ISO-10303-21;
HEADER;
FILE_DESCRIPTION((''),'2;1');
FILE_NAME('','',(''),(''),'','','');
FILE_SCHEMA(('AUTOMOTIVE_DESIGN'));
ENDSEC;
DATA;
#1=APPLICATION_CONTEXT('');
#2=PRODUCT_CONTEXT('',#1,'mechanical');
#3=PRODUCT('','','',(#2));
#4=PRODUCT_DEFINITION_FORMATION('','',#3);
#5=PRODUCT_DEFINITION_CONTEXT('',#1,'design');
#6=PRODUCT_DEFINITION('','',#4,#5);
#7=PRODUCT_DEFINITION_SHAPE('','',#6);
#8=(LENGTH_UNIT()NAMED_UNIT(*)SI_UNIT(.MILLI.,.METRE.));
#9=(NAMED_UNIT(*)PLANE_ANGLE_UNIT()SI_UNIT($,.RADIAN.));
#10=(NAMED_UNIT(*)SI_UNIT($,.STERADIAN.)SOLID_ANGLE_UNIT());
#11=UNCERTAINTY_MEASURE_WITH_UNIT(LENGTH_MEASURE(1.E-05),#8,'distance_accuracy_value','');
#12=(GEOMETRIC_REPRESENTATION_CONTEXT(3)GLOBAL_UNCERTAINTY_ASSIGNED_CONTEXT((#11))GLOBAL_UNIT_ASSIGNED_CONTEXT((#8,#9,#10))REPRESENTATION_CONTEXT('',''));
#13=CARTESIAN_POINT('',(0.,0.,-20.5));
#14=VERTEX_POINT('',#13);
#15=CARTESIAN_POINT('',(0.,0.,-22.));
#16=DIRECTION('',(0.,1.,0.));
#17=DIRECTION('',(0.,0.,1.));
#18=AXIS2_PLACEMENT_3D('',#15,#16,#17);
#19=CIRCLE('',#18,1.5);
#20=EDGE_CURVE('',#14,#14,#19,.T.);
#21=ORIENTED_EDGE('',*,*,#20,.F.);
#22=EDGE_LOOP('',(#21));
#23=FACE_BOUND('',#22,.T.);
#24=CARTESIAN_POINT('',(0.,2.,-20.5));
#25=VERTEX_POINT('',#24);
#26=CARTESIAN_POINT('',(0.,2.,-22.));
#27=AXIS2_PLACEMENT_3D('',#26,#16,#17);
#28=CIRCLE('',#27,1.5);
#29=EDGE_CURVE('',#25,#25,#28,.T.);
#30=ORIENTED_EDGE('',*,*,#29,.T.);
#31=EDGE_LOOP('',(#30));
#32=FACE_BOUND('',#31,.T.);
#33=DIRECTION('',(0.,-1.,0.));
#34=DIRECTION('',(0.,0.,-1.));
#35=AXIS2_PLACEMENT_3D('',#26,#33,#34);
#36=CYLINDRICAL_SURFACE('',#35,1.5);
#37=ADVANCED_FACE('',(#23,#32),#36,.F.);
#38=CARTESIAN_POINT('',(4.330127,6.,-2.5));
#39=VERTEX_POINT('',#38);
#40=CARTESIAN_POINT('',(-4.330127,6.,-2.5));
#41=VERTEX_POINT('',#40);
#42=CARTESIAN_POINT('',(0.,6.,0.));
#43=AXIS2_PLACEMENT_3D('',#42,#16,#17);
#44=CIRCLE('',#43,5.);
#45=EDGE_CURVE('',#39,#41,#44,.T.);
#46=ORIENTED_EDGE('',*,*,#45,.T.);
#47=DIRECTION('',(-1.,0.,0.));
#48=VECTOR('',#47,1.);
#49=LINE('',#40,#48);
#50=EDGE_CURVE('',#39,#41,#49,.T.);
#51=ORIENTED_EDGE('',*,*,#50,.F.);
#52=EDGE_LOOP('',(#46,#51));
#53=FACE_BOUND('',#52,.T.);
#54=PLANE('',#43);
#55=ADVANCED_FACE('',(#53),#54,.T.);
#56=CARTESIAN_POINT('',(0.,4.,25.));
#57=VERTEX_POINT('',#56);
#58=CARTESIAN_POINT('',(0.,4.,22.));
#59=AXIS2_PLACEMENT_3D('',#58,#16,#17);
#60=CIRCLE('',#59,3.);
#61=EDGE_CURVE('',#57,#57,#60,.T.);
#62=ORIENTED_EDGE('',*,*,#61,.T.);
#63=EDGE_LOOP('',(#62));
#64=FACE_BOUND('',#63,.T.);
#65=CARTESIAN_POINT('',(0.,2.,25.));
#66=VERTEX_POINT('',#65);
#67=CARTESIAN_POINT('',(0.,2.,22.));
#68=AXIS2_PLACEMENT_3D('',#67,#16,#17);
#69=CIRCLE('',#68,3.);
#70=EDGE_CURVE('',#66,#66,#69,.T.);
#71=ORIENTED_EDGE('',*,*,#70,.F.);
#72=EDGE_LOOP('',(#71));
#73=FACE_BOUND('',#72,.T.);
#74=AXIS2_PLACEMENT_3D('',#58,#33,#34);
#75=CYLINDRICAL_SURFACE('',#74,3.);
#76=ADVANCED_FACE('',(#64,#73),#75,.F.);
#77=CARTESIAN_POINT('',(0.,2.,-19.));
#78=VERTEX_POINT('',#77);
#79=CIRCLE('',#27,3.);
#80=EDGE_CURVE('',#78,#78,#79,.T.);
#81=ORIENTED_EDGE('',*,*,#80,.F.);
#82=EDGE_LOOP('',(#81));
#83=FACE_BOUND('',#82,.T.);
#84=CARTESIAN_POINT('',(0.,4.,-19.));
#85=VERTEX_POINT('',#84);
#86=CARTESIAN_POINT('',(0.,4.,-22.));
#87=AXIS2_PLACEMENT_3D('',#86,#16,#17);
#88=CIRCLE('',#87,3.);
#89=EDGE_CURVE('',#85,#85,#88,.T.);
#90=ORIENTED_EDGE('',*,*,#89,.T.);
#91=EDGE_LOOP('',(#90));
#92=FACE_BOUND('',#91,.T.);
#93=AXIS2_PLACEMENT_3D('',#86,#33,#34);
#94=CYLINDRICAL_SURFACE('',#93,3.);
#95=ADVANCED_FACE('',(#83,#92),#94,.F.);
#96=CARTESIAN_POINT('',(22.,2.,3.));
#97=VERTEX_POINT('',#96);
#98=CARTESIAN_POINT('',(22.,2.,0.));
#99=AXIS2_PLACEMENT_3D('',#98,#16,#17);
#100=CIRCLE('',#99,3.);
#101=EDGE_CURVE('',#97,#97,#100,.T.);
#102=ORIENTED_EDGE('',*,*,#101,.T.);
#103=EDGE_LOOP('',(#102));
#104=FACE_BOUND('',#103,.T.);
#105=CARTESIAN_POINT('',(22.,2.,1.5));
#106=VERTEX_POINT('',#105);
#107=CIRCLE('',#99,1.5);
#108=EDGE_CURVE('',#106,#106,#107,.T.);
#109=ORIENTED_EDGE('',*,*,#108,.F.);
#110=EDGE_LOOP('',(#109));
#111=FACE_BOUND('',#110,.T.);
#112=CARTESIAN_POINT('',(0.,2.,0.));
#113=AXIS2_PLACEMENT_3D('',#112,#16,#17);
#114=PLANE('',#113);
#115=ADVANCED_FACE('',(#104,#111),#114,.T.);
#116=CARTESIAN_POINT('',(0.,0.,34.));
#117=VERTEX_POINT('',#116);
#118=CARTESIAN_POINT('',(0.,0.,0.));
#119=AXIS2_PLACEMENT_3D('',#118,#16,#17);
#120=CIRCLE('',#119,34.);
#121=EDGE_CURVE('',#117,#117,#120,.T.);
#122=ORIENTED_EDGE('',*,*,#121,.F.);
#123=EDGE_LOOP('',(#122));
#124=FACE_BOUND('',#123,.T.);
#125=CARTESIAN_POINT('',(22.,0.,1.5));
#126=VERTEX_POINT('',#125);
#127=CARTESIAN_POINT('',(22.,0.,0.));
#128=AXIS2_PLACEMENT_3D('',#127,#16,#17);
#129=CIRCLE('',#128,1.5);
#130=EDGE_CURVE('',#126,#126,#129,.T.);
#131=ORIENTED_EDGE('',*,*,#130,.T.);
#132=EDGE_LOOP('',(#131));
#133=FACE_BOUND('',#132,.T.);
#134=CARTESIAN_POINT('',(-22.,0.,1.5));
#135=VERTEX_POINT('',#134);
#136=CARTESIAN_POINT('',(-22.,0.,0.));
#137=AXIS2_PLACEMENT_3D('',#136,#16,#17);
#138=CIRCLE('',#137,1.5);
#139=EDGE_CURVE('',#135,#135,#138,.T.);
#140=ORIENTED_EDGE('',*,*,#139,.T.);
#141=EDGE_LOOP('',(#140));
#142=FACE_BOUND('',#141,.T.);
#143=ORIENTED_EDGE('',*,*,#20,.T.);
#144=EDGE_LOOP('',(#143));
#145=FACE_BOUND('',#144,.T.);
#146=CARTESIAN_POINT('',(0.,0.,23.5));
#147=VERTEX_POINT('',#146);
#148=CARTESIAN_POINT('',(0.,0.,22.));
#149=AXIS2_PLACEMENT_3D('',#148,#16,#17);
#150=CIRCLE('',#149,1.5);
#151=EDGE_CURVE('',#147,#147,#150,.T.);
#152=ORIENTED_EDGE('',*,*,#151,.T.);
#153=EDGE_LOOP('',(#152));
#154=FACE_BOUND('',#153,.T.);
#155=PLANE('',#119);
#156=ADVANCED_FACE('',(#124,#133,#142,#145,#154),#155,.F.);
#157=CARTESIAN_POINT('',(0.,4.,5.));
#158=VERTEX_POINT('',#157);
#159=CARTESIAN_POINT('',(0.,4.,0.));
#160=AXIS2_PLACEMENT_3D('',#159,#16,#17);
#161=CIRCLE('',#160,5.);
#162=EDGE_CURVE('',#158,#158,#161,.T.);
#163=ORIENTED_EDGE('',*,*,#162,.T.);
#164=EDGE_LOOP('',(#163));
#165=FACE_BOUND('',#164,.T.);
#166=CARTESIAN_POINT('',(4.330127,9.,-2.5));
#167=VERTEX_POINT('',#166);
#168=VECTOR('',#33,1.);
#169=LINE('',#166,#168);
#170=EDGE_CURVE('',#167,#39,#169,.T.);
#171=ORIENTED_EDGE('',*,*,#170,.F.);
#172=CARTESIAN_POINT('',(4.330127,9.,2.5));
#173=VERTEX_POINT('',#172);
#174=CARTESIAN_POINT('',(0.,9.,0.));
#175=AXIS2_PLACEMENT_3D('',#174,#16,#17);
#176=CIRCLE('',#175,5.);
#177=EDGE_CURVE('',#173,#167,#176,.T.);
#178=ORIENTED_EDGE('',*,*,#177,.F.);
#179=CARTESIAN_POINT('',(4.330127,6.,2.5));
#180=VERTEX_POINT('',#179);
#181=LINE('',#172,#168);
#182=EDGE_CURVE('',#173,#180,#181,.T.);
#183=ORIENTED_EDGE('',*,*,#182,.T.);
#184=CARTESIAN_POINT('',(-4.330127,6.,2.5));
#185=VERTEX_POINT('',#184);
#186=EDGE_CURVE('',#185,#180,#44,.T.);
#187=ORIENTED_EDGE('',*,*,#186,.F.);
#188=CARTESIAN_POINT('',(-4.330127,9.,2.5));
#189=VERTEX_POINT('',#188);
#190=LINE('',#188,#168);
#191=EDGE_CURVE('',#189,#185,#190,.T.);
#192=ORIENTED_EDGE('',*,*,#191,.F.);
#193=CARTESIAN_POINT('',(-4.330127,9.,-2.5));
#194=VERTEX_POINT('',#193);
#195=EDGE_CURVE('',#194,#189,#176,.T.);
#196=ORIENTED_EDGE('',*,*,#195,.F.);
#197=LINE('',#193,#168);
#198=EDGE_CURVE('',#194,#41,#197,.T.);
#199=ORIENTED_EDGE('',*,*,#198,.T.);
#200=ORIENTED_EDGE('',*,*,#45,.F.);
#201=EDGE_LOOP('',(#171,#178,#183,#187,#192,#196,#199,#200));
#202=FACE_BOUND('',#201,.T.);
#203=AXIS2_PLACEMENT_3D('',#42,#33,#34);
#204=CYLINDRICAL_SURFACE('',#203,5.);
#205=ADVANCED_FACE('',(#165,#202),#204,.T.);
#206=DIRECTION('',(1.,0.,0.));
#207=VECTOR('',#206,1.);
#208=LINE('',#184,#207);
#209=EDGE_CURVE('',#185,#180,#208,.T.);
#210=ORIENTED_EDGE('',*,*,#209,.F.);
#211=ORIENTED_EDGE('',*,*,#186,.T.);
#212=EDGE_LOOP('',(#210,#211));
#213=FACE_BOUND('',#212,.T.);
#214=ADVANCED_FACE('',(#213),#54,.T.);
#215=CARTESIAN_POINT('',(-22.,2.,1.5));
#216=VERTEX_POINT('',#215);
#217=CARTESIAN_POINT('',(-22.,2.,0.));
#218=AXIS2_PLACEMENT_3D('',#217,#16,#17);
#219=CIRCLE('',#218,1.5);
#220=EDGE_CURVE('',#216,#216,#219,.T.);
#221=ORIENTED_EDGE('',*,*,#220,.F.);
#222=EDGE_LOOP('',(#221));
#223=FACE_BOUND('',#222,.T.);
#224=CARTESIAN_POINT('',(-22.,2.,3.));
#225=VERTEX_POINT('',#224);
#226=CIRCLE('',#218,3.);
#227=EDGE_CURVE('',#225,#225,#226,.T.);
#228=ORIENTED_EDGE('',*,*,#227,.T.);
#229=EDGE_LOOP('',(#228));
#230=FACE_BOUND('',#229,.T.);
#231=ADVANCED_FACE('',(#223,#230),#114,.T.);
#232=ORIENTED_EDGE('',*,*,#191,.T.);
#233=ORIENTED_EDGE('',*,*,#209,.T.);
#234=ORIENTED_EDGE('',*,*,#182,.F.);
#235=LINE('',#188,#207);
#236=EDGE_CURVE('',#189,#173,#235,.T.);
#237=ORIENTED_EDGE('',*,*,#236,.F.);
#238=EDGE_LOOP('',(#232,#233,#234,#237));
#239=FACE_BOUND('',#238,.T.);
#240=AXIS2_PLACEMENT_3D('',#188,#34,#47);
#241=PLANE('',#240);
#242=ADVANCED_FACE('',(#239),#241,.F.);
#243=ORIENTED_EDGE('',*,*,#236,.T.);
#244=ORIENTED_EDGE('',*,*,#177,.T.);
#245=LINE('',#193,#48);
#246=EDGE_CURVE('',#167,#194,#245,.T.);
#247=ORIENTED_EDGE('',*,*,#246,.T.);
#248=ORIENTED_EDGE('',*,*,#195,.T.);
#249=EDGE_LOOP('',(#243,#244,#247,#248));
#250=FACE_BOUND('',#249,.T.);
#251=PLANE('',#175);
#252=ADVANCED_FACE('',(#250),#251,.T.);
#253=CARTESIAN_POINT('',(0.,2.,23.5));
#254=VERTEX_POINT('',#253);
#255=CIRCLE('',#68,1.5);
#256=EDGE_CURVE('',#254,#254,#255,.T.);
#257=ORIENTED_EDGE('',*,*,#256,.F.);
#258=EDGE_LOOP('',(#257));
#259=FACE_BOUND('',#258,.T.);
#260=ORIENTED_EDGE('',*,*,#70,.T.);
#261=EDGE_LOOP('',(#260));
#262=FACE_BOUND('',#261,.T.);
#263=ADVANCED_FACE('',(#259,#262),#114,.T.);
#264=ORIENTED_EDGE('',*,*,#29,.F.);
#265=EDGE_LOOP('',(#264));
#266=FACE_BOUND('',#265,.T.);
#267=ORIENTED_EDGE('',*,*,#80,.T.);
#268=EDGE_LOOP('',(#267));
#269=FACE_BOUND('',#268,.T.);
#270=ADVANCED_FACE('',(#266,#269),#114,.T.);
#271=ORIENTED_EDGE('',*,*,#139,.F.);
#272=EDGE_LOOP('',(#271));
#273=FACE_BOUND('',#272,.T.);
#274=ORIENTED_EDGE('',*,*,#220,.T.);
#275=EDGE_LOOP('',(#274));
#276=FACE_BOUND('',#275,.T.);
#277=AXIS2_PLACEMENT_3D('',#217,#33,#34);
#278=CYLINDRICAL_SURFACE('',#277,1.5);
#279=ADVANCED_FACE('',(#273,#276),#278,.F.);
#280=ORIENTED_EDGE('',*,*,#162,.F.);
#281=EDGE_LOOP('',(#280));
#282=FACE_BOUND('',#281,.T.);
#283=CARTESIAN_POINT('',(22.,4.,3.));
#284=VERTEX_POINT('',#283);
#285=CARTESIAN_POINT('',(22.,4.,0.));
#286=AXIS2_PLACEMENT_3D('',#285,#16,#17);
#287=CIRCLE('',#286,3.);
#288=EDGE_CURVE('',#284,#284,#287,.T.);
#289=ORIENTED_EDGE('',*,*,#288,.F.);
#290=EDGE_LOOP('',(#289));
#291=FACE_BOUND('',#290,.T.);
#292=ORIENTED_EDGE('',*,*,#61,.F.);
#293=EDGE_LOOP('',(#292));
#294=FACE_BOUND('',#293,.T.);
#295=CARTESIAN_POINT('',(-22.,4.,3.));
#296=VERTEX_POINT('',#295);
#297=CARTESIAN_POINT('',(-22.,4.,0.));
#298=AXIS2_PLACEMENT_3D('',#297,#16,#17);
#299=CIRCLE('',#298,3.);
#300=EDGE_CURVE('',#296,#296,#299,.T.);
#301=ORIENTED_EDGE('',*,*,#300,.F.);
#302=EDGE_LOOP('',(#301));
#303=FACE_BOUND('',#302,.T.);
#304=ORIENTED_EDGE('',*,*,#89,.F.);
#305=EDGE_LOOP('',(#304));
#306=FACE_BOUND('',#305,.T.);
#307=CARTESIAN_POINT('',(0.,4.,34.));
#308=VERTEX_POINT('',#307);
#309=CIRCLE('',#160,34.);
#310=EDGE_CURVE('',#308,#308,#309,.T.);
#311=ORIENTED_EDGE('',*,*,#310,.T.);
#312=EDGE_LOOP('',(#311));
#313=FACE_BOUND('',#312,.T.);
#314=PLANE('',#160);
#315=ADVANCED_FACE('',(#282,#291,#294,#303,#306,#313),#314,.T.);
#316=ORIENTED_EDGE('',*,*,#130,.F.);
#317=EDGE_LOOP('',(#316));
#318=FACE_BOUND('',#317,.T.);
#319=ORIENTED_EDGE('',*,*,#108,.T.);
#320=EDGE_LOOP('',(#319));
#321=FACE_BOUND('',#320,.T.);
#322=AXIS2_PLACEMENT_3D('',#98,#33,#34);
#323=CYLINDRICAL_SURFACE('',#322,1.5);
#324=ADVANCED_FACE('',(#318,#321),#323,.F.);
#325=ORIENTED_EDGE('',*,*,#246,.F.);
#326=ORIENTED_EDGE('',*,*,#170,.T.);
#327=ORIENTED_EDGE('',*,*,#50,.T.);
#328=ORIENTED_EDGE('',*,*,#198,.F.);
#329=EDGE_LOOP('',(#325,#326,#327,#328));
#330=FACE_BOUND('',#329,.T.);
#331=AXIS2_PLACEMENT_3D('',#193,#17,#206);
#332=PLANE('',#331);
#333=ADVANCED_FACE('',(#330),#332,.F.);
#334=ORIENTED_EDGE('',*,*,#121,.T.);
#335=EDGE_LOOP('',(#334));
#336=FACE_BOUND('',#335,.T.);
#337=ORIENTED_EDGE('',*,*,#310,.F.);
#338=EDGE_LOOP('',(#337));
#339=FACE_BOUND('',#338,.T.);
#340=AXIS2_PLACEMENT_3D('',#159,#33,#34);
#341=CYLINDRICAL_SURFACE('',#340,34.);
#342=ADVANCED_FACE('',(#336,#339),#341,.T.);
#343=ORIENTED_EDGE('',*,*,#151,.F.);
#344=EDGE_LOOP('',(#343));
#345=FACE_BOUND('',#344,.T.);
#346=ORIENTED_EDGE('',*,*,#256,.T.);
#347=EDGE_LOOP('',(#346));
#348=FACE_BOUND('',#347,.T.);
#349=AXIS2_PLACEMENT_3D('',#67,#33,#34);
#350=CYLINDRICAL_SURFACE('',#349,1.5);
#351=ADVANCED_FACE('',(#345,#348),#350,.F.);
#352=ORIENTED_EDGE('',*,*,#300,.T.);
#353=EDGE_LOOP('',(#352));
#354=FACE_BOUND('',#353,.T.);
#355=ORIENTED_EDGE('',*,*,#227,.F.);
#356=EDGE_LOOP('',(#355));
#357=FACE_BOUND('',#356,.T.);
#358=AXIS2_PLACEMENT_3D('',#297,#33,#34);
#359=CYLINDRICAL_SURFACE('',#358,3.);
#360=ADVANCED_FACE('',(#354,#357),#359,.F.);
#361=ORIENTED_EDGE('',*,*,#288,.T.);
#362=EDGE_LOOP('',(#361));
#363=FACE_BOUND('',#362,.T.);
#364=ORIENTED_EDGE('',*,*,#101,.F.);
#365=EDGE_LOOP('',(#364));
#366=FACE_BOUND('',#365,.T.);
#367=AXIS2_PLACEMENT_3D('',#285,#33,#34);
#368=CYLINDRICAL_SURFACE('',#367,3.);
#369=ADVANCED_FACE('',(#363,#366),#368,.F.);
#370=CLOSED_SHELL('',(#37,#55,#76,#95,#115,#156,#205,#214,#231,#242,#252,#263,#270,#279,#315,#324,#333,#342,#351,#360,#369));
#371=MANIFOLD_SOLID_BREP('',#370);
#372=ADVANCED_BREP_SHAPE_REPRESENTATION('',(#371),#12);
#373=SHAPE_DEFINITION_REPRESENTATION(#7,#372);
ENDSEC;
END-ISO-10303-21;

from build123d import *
from build123d.topology import SkipClean

# Parameters (mm, degrees)
SKETCH_1_R      = 34
SKETCH_1_R_2    = 3
EXTRUDE_1_DEPTH = 4
SKETCH_1_3_R    = 3
SKETCH_1_3_R_2  = 1.5
EXTRUDE_2_DEPTH = 2
SKETCH_2_R      = 5
EXTRUDE_3_DEPTH = 2
EXTRUDE_4_DEPTH = 3


with BuildPart() as part:
    # 草图1 → 凸台-拉伸1 (new body)
    with BuildSketch(Plane(origin=(0, 0, 0), x_dir=(1, 0, 0), z_dir=(0, 1, 0))):
        Circle(SKETCH_1_R)
        with Locations((-22, 0)):
            Circle(SKETCH_1_R_2, mode=Mode.SUBTRACT)
        with Locations((0, -22)):
            Circle(SKETCH_1_R_2, mode=Mode.SUBTRACT)
        with Locations((22, 0)):
            Circle(SKETCH_1_R_2, mode=Mode.SUBTRACT)
        with Locations((0, 22)):
            Circle(SKETCH_1_R_2, mode=Mode.SUBTRACT)
    extrude(amount=EXTRUDE_1_DEPTH)

    # 草图1<3> → 凸台-拉伸2 (add)
    # profile 1 of 4: a face of its own
    with BuildSketch(Plane(origin=(0, 0, 0), x_dir=(1, 0, 0), z_dir=(0, 1, 0))):
        with Locations((0, 22)):
            Circle(SKETCH_1_3_R)
        with Locations((0, 22)):
            Circle(SKETCH_1_3_R_2, mode=Mode.SUBTRACT)
    # profile 2 of 4: a face of its own
    with BuildSketch(Plane(origin=(0, 0, 0), x_dir=(1, 0, 0), z_dir=(0, 1, 0))):
        with Locations((22, 0)):
            Circle(SKETCH_1_3_R)
        with Locations((22, 0)):
            Circle(SKETCH_1_3_R_2, mode=Mode.SUBTRACT)
    # profile 3 of 4: a face of its own
    with BuildSketch(Plane(origin=(0, 0, 0), x_dir=(1, 0, 0), z_dir=(0, 1, 0))):
        with Locations((0, -22)):
            Circle(SKETCH_1_3_R)
        with Locations((0, -22)):
            Circle(SKETCH_1_3_R_2, mode=Mode.SUBTRACT)
    # profile 4 of 4: a face of its own
    with BuildSketch(Plane(origin=(0, 0, 0), x_dir=(1, 0, 0), z_dir=(0, 1, 0))):
        with Locations((-22, 0)):
            Circle(SKETCH_1_3_R)
        with Locations((-22, 0)):
            Circle(SKETCH_1_3_R_2, mode=Mode.SUBTRACT)
    extrude(amount=EXTRUDE_2_DEPTH)

    # 草图2 → 凸台-拉伸3 (add)
    with BuildSketch(Plane(origin=(0, 4, 0), x_dir=(1, 0, 0), z_dir=(0, 1, 0))):
        Circle(SKETCH_2_R)
    extrude(amount=EXTRUDE_3_DEPTH)

    # 草图3 → 凸台-拉伸4 (add)
    with SkipClean():  # the faces are left unmerged after this step: merging them gives an invalid solid
        with BuildSketch(Plane(origin=(0, 6, 0), x_dir=(1, 0, 0), z_dir=(0, 1, 0))):
            with BuildLine():
                Line((-4.330127019, 2.5), (4.330127019, 2.5))
                ThreePointArc((4.330127019, 2.5), (5, 0), (4.330127019, -2.5))
                Line((4.330127019, -2.5), (-4.330127019, -2.5))
                ThreePointArc((-4.330127019, -2.5), (-5, 0), (-4.330127019, 2.5))
            make_face()
        extrude(amount=EXTRUDE_4_DEPTH)


solid = part.part
